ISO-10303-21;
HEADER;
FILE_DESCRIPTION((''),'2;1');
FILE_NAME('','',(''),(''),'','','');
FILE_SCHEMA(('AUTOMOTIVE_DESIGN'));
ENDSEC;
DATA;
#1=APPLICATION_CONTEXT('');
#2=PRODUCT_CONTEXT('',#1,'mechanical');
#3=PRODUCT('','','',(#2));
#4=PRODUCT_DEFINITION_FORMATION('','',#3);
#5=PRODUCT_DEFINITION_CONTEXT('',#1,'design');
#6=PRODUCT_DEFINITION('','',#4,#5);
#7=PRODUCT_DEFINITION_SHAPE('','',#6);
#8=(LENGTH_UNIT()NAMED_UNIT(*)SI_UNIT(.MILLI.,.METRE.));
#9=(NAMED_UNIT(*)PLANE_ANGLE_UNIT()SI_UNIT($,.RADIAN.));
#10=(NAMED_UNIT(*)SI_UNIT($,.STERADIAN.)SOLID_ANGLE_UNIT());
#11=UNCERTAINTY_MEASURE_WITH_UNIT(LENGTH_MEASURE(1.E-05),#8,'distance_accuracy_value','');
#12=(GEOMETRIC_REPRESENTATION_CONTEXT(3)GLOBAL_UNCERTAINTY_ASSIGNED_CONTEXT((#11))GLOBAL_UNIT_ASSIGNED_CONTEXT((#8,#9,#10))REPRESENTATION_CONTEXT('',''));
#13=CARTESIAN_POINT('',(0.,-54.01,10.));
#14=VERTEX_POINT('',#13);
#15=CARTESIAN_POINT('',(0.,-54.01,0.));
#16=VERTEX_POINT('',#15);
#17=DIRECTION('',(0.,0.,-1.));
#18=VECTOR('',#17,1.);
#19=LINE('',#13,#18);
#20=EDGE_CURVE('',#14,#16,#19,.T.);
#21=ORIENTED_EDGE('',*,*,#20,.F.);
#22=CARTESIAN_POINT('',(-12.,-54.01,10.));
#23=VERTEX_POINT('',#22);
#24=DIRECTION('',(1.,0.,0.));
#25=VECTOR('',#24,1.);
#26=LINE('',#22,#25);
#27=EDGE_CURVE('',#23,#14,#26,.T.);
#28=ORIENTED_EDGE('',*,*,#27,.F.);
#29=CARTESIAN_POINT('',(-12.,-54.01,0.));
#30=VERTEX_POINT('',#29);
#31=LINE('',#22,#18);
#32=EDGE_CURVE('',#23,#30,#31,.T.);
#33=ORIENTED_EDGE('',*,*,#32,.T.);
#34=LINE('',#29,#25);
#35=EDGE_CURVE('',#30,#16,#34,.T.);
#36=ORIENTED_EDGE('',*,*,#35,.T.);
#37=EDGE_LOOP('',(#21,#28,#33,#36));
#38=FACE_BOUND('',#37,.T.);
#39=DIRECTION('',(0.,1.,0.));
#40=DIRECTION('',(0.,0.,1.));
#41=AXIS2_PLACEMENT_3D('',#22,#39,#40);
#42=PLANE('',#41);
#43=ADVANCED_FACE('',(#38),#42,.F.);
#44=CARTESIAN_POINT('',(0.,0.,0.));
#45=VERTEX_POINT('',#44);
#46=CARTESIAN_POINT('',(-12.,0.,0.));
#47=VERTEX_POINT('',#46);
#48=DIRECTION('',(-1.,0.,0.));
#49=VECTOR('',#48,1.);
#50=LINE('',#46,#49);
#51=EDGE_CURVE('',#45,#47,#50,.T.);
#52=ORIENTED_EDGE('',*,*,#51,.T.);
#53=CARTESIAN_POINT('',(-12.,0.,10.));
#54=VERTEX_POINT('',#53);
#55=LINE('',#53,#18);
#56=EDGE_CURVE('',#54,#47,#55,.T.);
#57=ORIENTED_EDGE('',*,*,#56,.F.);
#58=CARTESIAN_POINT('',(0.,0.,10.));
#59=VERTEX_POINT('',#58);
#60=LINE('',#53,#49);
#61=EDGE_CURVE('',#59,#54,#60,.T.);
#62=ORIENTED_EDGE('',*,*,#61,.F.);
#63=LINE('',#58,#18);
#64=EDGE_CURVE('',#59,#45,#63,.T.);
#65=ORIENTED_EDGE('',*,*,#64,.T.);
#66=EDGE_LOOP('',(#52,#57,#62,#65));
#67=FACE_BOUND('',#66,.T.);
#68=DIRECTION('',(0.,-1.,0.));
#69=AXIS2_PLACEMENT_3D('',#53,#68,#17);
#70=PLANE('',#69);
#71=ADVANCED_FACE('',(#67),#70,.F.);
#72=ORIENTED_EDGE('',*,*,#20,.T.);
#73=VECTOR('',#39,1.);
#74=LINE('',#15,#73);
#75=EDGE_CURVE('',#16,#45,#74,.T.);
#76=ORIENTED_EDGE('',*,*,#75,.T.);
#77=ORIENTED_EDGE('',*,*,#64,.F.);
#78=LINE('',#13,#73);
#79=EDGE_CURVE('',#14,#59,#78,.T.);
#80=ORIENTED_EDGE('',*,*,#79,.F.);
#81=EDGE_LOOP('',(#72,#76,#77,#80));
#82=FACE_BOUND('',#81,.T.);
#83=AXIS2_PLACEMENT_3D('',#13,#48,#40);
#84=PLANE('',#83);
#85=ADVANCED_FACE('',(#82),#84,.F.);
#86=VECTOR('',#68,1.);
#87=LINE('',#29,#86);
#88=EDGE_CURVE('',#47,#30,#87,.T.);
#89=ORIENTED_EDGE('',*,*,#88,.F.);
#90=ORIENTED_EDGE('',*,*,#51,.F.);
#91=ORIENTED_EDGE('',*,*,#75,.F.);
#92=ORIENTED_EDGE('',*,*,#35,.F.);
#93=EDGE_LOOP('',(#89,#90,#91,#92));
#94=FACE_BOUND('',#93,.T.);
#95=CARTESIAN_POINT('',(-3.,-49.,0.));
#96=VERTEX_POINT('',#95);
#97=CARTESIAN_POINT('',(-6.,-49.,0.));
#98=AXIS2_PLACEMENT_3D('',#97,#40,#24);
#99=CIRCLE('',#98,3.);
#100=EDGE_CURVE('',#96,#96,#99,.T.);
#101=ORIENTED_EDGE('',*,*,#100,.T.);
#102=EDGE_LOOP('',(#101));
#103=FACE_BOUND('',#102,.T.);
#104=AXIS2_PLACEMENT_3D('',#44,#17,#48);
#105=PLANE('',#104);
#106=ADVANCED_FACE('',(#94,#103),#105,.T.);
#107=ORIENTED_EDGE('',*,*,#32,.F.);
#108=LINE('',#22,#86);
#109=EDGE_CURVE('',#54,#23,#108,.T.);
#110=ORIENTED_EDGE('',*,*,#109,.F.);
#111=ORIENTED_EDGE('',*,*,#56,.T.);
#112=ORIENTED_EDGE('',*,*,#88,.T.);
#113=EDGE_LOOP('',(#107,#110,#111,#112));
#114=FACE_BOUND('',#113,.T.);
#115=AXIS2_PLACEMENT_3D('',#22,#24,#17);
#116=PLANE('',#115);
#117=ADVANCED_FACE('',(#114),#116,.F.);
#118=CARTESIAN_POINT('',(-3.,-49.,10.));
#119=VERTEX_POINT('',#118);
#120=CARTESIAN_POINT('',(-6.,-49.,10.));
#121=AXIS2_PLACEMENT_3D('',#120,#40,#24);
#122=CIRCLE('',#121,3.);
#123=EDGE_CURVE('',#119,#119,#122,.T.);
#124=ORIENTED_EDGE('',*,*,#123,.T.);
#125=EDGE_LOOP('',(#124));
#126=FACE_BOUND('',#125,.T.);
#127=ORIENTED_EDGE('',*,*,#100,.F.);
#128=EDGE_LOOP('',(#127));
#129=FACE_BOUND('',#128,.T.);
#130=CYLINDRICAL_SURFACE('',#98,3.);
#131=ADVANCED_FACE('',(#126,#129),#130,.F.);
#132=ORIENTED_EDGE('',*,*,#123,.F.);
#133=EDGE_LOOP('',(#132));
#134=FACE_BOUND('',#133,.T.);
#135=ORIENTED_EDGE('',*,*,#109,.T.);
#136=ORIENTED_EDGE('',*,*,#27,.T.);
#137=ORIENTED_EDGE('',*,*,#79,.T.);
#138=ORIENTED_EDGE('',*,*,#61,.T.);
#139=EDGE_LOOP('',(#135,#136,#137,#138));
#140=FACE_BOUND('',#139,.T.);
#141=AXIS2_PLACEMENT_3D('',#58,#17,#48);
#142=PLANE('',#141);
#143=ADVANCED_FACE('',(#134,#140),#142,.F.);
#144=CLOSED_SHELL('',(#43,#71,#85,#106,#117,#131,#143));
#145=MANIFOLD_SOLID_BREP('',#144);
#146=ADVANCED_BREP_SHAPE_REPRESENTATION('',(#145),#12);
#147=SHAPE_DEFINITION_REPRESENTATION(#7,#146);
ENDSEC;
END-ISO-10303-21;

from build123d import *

# Parameters (mm, degrees)
ESQUISSE1_W             = 12
ESQUISSE1_H             = 54.01
BOSS_EXTRU_1_DEPTH      = 10
ESQUISSE2_R             = 3
ENL_V_MAT_EXTRU_1_DEPTH = 10


with BuildPart() as part:
    # Esquisse1 → Boss.-Extru.1 (new body)
    with BuildSketch(Plane.XY):
        with Locations((-6, -27.005)):
            Rectangle(ESQUISSE1_W, ESQUISSE1_H)
    extrude(amount=BOSS_EXTRU_1_DEPTH)

    # Esquisse2 → Enlèv. mat.-Extru.1 (cut)
    with BuildSketch(Plane.XY.offset(10)):
        with Locations((-6, -49)):
            Circle(ESQUISSE2_R)
    extrude(amount=-ENL_V_MAT_EXTRU_1_DEPTH, mode=Mode.SUBTRACT)


solid = part.part
